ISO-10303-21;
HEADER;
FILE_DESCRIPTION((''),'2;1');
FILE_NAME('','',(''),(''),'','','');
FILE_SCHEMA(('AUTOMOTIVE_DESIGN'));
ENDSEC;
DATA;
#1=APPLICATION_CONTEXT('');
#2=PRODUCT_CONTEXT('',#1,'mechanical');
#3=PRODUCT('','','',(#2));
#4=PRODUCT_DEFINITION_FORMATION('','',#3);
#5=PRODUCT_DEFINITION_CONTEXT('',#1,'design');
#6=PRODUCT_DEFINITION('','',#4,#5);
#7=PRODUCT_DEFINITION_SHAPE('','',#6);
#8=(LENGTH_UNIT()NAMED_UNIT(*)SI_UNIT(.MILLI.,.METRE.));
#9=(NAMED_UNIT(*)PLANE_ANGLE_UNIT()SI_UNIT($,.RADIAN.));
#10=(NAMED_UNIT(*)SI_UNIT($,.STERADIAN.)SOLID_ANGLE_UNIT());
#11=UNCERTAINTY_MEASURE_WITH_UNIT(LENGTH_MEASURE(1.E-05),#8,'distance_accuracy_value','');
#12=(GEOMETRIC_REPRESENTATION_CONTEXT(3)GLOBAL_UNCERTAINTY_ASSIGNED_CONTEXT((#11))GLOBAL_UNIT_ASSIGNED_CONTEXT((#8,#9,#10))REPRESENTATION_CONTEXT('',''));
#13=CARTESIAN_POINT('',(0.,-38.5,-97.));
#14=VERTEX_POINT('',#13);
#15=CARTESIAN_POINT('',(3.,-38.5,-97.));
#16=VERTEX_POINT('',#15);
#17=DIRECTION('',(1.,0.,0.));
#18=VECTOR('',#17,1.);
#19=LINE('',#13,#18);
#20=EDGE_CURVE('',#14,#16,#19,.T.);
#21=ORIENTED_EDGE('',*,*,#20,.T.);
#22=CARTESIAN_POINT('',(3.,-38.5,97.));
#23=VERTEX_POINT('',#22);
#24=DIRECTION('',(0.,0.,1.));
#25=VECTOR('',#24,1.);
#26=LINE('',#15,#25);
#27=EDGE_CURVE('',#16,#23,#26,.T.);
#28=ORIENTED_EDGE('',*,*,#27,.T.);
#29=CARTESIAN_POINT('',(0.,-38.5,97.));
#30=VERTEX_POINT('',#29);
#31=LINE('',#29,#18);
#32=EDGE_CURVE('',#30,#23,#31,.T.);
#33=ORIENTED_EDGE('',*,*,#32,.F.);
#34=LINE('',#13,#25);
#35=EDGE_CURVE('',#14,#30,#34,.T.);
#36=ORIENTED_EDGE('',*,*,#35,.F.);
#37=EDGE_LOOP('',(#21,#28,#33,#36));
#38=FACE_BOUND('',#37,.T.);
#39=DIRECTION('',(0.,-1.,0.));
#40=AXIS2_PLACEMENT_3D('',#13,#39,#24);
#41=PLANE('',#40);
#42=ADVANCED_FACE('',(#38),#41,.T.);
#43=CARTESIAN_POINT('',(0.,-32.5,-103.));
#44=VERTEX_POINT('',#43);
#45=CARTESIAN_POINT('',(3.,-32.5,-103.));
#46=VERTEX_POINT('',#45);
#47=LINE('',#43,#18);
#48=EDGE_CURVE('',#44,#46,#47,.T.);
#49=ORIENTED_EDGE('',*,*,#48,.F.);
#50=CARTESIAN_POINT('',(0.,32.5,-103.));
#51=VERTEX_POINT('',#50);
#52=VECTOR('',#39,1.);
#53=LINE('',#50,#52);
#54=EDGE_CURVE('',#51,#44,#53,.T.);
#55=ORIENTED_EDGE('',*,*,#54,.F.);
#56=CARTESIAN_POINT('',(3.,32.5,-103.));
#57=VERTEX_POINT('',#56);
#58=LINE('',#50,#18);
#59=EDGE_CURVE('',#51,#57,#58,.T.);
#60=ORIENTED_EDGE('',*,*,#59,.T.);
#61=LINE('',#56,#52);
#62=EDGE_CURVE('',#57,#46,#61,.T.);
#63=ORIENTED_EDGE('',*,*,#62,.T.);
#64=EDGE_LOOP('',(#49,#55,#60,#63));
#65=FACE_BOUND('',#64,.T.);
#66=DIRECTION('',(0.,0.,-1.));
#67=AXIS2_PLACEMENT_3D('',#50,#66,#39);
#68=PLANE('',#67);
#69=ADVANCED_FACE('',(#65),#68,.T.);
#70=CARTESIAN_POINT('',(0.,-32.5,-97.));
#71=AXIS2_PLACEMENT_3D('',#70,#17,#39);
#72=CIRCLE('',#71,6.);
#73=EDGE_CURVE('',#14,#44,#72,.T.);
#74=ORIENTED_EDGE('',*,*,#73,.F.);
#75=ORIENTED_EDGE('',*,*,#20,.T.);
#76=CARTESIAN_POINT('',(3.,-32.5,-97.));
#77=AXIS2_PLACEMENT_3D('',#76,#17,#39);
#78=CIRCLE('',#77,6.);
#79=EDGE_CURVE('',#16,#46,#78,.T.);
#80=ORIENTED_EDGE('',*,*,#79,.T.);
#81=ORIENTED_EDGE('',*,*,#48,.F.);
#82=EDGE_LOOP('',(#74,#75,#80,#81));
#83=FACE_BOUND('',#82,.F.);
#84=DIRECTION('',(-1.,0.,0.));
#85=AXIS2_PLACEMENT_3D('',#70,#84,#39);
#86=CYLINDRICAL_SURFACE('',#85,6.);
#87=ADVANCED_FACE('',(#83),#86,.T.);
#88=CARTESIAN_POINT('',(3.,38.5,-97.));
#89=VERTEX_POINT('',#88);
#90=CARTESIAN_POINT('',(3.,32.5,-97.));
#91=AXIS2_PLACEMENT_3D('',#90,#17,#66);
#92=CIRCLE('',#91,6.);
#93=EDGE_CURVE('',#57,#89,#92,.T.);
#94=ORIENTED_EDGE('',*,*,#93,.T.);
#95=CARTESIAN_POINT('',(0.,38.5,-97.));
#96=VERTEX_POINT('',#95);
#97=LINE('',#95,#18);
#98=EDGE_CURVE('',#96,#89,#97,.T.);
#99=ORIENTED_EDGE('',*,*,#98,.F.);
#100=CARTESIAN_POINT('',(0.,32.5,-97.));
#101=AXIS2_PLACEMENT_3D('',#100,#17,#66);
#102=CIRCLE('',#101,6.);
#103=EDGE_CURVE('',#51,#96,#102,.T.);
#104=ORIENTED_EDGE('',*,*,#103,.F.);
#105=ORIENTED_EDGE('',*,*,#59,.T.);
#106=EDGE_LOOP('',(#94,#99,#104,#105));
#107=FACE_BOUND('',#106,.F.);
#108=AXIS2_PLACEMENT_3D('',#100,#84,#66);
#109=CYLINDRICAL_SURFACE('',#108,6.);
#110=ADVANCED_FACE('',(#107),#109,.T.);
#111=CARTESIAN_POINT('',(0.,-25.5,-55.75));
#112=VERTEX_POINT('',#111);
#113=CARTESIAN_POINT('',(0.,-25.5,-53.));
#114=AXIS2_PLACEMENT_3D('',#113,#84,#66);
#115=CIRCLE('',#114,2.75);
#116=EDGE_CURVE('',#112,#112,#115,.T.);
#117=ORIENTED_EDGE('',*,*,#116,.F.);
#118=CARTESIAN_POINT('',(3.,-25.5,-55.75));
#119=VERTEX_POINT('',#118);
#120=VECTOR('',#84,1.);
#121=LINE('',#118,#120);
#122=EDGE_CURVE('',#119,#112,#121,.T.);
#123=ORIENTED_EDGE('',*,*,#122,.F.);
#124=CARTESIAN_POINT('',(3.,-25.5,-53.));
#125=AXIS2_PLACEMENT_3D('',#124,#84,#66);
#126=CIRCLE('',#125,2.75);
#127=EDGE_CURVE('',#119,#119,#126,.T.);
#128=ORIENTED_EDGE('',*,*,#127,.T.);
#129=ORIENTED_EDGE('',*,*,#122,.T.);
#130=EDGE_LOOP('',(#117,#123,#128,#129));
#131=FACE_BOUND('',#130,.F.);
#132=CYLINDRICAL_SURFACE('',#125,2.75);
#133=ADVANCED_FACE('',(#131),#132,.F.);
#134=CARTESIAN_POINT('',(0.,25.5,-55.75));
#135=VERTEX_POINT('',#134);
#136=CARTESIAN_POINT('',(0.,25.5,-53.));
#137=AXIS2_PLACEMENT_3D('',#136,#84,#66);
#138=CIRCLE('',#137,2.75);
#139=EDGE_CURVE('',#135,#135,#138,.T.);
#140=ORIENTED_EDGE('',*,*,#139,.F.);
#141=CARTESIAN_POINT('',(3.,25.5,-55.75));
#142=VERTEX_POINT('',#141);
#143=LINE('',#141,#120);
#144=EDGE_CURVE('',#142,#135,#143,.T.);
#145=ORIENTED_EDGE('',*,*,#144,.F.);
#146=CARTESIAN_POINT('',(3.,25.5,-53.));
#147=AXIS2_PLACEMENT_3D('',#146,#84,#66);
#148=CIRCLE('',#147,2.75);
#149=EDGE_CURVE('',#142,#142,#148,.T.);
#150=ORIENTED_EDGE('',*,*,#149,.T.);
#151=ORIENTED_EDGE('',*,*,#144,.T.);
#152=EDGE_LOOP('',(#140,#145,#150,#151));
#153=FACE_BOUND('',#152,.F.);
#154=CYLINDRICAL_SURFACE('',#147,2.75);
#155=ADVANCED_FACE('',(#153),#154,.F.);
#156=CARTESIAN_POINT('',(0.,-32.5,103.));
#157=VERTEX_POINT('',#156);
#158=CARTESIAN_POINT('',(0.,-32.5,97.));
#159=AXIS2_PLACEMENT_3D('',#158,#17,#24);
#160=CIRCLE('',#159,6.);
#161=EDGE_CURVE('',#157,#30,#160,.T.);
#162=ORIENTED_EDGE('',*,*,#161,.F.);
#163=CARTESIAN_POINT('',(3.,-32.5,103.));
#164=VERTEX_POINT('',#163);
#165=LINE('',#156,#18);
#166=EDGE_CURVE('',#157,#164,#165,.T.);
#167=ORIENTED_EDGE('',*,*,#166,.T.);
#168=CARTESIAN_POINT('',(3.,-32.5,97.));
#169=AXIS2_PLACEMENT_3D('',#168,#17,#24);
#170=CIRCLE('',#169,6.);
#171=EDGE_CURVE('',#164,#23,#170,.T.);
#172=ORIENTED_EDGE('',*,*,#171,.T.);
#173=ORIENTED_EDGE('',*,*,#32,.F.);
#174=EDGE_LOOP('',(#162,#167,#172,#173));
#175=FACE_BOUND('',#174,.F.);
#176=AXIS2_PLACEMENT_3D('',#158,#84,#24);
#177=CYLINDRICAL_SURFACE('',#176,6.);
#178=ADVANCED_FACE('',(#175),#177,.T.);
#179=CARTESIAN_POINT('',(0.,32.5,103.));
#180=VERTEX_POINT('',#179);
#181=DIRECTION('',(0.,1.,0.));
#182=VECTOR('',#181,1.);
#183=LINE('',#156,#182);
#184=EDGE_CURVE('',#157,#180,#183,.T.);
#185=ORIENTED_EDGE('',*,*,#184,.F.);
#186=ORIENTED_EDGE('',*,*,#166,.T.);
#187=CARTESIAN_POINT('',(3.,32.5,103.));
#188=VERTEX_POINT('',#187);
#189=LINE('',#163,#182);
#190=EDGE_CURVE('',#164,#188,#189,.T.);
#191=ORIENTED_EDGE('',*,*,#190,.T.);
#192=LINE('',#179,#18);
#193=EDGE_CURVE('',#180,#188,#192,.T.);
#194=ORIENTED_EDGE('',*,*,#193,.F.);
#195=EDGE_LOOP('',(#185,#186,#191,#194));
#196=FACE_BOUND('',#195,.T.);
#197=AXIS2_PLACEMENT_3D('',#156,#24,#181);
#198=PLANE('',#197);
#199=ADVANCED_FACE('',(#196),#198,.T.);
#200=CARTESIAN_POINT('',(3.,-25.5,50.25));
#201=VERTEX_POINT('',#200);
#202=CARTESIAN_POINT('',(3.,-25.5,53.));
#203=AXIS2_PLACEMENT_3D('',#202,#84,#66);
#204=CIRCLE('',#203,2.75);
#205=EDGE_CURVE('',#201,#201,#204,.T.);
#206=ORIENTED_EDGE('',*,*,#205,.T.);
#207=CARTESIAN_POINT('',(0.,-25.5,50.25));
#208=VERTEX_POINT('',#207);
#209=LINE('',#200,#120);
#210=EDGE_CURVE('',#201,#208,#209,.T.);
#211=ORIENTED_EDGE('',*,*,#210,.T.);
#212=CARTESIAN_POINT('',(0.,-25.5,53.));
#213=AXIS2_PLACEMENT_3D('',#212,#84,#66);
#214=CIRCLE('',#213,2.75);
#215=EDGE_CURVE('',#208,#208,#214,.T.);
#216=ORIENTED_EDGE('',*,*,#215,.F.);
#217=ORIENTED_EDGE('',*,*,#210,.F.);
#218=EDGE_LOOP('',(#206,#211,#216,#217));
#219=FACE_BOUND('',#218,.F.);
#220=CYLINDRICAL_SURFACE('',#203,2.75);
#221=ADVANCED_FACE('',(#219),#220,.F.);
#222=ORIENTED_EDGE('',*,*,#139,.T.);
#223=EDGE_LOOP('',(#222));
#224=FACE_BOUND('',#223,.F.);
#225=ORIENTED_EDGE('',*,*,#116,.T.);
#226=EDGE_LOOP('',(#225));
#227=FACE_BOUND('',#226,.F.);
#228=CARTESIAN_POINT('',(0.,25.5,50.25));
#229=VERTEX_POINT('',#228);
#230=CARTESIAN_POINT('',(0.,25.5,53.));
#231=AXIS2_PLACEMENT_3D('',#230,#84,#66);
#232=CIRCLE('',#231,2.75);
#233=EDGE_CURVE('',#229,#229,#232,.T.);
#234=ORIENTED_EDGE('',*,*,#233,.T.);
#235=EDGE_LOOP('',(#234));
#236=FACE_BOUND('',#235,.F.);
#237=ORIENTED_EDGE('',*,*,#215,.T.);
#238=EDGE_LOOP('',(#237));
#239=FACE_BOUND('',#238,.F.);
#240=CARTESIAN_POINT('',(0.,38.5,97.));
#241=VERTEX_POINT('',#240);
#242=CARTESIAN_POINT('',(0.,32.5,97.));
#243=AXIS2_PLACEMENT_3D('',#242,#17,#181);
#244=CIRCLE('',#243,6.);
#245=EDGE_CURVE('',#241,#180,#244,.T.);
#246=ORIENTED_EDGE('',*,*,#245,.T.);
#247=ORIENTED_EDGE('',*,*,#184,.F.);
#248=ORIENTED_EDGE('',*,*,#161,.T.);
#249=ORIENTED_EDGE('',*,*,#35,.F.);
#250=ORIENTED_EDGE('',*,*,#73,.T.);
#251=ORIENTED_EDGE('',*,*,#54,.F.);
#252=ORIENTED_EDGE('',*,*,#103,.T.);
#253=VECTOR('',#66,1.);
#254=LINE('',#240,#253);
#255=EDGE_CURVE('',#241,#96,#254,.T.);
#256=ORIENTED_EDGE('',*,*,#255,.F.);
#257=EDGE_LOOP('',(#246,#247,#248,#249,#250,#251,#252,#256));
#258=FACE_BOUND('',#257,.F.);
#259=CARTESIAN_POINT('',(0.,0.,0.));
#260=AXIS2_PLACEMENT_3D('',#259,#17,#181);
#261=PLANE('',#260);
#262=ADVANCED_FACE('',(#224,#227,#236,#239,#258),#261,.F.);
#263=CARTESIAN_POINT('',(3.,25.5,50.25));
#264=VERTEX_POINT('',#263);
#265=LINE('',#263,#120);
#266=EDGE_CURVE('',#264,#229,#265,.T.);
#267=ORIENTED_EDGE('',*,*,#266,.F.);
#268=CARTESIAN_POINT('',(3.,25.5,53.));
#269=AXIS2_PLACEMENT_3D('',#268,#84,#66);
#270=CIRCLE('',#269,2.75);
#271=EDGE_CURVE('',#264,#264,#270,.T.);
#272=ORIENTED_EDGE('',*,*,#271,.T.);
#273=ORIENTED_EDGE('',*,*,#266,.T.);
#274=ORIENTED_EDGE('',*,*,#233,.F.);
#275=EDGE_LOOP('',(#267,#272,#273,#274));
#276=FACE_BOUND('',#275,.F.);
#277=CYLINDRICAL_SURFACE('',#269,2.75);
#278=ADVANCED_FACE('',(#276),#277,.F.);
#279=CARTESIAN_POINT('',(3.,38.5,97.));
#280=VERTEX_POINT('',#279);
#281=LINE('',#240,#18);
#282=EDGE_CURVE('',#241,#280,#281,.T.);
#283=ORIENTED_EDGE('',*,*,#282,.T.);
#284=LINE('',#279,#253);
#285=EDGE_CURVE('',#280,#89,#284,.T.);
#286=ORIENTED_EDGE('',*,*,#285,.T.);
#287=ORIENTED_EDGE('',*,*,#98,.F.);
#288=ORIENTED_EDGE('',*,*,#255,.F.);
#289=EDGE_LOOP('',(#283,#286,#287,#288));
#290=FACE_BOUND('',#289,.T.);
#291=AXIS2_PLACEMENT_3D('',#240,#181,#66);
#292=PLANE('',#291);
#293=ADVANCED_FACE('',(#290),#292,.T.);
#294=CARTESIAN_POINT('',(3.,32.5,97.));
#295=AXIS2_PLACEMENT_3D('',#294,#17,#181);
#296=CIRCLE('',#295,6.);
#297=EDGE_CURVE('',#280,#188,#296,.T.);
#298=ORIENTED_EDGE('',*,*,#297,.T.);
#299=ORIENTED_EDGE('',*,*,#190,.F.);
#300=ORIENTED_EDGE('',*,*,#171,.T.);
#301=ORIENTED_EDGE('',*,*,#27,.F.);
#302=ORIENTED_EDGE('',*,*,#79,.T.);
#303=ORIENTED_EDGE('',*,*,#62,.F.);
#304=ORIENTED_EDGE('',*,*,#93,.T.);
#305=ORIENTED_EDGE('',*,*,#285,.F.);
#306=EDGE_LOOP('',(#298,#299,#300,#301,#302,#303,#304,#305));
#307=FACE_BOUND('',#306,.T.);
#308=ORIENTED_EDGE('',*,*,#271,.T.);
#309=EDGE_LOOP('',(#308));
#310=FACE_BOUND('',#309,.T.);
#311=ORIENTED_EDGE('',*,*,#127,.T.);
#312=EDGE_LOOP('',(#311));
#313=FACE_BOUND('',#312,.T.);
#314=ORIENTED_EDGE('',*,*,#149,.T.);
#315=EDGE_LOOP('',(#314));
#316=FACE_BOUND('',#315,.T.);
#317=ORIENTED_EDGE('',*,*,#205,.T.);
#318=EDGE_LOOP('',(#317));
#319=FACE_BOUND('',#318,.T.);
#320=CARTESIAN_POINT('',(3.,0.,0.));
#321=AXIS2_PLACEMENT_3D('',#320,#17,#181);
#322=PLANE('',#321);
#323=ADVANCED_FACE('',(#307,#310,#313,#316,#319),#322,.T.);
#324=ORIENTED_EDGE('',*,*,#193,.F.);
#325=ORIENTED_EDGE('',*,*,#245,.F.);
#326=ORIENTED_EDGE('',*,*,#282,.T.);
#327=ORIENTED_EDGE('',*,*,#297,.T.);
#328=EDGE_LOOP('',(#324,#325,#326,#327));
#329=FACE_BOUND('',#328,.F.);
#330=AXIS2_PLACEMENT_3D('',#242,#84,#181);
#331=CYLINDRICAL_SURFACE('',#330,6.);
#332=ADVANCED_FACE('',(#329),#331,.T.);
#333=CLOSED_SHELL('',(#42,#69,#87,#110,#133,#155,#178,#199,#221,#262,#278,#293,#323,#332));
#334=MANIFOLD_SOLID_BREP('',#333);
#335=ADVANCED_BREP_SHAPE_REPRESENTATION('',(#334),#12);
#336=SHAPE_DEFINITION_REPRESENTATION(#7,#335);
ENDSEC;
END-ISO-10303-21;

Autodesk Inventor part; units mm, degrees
ref_plane "YZ Plane" through (0, 0, 0) normal (1, 0, 0) x (0, 1, 0)
ref_plane "XZ Plane" through (0, 0, 0) normal (0, 1, 0) x (-1, 0, 0)
ref_plane "XY Plane" through (0, 0, 0) normal (0, 0, 1) x (1, 0, 0)
sketch "Szkic1" plane through (0, 0, 0) normal (1, 0, 0) x (0, 1, 0)
  line L0 (-32.5, 103) -> (32.5, 103)
  line L1 (38.5, 97) -> (38.5, -97)
  line L2 (32.5, -103) -> (-32.5, -103)
  line L3 (-38.5, -97) -> (-38.5, 97)
  line L4 (-38.5, 103) -> (38.5, -103) construction
  arc A0 (32.5, -103) -> (38.5, -97) centre (32.5, -97) ccw
  arc A1 (-32.5, 103) -> (-38.5, 97) centre (-32.5, 97) ccw
  arc A2 (-38.5, -97) -> (-32.5, -103) centre (-32.5, -97) ccw
  arc A3 (38.5, 97) -> (32.5, 103) centre (32.5, 97) ccw
  point P0 (0, 0)
  dimension "d3" = 6
extrude "Płyta1" add sketch "Szkic1" along normal blind 3
sketch "Szkic2" plane through (3, 0, 0) normal (1, 0, 0) x (0, 0, -1)
  line L0 (-97, 38.5) -> (97, 38.5) projected
  line L1 (-103, -32.5) -> (-103, 32.5) projected
  line L2 (103, 32.5) -> (103, -32.5) projected
  line L3 (97, -38.5) -> (-97, -38.5) projected
  point P0 (0, 0)
  point P1 (-53, 25.5)
  point P2 (53, 25.5)
  point P3 (53, -25.5)
  point P4 (-53, -25.5)
  dimension "d5" = 13
  dimension "d6" = 50
  dimension "d7" = 50
  dimension "d8" = 13
  dimension "d9" = 50
  dimension "d10" = 13
  dimension "d11" = 13
  dimension "d12" = 50
hole "Otwór1" at (3, -25.5, 53) at (3, 25.5, 53) at (3, 25.5, -53) at (3, -25.5, -53) direction (-1, 0, 0) diameter 5.5 depth 3 tip angle 118 clearance for "Śruba ze łbem płaskim obrobiona" size "M5" standard "ANSI Profil metryczny M"
equation "\"d18\" = Grubość"
equation "\"d4\" = Grubość"
equation "\"PromieńGięcia\" = Grubość"
equation "\"SzerokośćGięciaPodcięcia\" = Grubość"
equation "\"GłębokośćGięciaPodcięcia\" = 0.5 * Grubość"
equation "\"RozmiarPodcięciaNarożnika\" = 4 * Grubość"
equation "\"MinimalnaPozostałość\" = 2 * Grubość"
equation "\"PromieńPrzejścia\" = PromieńGięcia"
equation "\"Rozmiar_promienia_Jacobiego\" = PromieńGięcia"
equation "\"Wielk_odstępu\" = Grubość"
equation "\"Grubość\" = 3"
properties part number "ZaslepkaObudowa"
